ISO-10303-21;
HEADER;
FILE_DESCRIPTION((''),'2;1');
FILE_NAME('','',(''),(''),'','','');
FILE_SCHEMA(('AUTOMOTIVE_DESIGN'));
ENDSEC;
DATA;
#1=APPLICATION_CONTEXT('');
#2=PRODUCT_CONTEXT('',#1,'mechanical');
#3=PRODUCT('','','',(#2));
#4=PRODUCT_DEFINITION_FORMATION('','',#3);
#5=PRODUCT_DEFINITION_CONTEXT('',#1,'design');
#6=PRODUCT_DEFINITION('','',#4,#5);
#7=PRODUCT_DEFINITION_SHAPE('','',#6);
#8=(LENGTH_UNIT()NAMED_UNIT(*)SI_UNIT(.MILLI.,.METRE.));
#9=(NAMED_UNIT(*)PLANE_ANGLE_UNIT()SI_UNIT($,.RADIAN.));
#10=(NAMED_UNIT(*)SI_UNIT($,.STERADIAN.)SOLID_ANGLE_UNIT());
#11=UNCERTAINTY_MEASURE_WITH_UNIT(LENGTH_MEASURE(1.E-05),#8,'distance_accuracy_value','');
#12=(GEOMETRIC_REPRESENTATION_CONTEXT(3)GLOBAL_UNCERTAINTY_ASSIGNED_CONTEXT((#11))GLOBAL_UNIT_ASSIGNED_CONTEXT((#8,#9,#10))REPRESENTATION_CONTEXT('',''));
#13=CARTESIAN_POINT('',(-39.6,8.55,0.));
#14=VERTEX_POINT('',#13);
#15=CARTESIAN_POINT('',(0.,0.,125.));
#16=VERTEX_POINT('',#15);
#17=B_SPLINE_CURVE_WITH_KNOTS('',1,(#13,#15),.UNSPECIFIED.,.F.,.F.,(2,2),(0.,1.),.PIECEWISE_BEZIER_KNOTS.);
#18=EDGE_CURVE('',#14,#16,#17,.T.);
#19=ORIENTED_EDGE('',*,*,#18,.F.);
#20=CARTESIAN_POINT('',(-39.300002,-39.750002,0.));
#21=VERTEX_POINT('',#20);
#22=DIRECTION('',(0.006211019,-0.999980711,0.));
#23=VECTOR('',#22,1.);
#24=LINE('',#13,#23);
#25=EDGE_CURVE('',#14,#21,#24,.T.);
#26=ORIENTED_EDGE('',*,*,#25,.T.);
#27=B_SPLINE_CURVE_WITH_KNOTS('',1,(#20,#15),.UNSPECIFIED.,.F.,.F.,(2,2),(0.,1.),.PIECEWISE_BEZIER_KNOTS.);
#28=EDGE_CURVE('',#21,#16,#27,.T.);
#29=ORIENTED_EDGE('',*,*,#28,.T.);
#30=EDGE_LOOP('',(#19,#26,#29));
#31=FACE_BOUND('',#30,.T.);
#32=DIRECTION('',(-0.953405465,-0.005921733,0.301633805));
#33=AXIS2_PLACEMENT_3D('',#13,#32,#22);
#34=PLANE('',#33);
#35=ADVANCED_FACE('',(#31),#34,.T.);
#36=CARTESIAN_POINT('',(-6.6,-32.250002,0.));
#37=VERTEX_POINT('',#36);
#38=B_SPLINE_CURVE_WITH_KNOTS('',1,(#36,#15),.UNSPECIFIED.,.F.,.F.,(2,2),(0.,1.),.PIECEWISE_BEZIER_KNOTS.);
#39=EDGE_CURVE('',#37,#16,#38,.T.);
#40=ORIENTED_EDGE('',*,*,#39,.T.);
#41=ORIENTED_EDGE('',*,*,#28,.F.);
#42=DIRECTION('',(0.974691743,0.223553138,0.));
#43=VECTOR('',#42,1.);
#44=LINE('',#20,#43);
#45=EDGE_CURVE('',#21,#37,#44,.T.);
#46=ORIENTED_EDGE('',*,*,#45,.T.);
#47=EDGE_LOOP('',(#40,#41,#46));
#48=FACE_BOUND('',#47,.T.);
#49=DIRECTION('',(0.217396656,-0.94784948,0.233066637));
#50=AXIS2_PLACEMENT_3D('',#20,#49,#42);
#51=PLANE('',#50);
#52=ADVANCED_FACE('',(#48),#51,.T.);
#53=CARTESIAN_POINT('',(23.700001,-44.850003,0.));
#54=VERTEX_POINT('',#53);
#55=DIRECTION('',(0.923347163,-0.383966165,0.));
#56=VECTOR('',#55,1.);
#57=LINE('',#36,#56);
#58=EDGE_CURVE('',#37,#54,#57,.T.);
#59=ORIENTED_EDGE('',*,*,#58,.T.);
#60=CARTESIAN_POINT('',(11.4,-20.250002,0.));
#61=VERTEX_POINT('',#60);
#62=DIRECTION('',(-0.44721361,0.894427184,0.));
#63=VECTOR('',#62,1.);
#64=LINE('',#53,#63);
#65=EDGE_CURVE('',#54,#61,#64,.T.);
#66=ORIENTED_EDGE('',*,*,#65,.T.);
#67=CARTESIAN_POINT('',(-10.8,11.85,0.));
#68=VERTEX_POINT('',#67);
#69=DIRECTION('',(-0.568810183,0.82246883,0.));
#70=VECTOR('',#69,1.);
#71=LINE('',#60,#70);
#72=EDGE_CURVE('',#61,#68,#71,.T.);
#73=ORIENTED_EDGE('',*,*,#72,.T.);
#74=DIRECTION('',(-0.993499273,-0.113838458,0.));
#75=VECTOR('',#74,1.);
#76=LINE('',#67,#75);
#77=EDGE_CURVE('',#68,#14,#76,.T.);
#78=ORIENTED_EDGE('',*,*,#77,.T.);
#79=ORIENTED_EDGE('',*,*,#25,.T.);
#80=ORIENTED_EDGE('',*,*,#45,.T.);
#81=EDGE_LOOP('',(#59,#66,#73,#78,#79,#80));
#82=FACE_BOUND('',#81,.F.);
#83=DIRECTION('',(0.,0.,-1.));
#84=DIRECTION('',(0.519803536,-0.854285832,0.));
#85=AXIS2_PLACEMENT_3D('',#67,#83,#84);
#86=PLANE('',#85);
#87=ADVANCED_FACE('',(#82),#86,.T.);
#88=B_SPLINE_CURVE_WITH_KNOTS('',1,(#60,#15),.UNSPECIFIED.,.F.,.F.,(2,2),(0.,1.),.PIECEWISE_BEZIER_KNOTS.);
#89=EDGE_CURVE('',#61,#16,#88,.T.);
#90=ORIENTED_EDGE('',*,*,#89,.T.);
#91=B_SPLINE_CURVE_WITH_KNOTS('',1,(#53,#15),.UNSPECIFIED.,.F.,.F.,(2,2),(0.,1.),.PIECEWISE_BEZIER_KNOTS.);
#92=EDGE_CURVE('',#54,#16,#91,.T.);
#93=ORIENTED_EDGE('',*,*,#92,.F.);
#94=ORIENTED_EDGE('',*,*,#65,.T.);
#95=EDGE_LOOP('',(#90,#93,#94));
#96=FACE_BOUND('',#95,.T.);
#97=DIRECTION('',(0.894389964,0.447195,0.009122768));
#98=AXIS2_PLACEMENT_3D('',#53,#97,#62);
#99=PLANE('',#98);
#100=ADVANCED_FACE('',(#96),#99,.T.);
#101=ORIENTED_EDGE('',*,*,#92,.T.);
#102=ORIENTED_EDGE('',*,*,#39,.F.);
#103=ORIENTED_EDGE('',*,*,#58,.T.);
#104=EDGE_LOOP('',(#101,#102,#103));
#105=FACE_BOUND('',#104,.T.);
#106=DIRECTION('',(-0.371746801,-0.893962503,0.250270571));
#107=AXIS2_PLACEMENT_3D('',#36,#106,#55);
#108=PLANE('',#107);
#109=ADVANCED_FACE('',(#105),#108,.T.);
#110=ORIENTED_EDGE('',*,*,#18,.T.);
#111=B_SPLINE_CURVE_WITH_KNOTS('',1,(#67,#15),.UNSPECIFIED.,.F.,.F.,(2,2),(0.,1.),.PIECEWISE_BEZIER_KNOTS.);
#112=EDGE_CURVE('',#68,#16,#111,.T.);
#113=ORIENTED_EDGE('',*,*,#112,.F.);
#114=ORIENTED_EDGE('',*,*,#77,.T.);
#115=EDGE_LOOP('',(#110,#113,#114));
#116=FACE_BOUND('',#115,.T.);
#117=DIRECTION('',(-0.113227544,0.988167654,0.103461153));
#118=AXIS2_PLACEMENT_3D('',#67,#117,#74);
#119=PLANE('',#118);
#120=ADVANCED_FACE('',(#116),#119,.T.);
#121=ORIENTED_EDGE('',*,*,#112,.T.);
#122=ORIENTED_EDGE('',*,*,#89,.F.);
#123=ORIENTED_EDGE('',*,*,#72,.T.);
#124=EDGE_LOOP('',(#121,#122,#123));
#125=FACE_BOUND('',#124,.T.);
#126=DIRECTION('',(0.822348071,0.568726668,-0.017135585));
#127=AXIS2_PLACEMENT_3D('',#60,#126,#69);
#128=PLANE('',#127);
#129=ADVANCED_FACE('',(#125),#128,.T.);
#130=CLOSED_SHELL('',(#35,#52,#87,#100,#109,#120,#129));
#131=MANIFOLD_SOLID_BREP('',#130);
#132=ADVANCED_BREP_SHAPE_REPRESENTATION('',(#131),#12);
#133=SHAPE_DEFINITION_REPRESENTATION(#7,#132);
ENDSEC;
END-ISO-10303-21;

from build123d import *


with BuildPart() as f3:
    # F0 (on Top) → F3 section 0
    with BuildSketch(Plane.XY, mode=Mode.PRIVATE) as f3_s0:
        Polygon((-10.8, 11.85), (-39.6, 8.55), (-39.300002, -39.750002), (-6.6, -32.250002), (23.700001, -44.850003), (11.4, -20.250002), align=None)
    loft([f3_s0.sketch, Vertex(0, 0, 125)])


solid = f3.part
